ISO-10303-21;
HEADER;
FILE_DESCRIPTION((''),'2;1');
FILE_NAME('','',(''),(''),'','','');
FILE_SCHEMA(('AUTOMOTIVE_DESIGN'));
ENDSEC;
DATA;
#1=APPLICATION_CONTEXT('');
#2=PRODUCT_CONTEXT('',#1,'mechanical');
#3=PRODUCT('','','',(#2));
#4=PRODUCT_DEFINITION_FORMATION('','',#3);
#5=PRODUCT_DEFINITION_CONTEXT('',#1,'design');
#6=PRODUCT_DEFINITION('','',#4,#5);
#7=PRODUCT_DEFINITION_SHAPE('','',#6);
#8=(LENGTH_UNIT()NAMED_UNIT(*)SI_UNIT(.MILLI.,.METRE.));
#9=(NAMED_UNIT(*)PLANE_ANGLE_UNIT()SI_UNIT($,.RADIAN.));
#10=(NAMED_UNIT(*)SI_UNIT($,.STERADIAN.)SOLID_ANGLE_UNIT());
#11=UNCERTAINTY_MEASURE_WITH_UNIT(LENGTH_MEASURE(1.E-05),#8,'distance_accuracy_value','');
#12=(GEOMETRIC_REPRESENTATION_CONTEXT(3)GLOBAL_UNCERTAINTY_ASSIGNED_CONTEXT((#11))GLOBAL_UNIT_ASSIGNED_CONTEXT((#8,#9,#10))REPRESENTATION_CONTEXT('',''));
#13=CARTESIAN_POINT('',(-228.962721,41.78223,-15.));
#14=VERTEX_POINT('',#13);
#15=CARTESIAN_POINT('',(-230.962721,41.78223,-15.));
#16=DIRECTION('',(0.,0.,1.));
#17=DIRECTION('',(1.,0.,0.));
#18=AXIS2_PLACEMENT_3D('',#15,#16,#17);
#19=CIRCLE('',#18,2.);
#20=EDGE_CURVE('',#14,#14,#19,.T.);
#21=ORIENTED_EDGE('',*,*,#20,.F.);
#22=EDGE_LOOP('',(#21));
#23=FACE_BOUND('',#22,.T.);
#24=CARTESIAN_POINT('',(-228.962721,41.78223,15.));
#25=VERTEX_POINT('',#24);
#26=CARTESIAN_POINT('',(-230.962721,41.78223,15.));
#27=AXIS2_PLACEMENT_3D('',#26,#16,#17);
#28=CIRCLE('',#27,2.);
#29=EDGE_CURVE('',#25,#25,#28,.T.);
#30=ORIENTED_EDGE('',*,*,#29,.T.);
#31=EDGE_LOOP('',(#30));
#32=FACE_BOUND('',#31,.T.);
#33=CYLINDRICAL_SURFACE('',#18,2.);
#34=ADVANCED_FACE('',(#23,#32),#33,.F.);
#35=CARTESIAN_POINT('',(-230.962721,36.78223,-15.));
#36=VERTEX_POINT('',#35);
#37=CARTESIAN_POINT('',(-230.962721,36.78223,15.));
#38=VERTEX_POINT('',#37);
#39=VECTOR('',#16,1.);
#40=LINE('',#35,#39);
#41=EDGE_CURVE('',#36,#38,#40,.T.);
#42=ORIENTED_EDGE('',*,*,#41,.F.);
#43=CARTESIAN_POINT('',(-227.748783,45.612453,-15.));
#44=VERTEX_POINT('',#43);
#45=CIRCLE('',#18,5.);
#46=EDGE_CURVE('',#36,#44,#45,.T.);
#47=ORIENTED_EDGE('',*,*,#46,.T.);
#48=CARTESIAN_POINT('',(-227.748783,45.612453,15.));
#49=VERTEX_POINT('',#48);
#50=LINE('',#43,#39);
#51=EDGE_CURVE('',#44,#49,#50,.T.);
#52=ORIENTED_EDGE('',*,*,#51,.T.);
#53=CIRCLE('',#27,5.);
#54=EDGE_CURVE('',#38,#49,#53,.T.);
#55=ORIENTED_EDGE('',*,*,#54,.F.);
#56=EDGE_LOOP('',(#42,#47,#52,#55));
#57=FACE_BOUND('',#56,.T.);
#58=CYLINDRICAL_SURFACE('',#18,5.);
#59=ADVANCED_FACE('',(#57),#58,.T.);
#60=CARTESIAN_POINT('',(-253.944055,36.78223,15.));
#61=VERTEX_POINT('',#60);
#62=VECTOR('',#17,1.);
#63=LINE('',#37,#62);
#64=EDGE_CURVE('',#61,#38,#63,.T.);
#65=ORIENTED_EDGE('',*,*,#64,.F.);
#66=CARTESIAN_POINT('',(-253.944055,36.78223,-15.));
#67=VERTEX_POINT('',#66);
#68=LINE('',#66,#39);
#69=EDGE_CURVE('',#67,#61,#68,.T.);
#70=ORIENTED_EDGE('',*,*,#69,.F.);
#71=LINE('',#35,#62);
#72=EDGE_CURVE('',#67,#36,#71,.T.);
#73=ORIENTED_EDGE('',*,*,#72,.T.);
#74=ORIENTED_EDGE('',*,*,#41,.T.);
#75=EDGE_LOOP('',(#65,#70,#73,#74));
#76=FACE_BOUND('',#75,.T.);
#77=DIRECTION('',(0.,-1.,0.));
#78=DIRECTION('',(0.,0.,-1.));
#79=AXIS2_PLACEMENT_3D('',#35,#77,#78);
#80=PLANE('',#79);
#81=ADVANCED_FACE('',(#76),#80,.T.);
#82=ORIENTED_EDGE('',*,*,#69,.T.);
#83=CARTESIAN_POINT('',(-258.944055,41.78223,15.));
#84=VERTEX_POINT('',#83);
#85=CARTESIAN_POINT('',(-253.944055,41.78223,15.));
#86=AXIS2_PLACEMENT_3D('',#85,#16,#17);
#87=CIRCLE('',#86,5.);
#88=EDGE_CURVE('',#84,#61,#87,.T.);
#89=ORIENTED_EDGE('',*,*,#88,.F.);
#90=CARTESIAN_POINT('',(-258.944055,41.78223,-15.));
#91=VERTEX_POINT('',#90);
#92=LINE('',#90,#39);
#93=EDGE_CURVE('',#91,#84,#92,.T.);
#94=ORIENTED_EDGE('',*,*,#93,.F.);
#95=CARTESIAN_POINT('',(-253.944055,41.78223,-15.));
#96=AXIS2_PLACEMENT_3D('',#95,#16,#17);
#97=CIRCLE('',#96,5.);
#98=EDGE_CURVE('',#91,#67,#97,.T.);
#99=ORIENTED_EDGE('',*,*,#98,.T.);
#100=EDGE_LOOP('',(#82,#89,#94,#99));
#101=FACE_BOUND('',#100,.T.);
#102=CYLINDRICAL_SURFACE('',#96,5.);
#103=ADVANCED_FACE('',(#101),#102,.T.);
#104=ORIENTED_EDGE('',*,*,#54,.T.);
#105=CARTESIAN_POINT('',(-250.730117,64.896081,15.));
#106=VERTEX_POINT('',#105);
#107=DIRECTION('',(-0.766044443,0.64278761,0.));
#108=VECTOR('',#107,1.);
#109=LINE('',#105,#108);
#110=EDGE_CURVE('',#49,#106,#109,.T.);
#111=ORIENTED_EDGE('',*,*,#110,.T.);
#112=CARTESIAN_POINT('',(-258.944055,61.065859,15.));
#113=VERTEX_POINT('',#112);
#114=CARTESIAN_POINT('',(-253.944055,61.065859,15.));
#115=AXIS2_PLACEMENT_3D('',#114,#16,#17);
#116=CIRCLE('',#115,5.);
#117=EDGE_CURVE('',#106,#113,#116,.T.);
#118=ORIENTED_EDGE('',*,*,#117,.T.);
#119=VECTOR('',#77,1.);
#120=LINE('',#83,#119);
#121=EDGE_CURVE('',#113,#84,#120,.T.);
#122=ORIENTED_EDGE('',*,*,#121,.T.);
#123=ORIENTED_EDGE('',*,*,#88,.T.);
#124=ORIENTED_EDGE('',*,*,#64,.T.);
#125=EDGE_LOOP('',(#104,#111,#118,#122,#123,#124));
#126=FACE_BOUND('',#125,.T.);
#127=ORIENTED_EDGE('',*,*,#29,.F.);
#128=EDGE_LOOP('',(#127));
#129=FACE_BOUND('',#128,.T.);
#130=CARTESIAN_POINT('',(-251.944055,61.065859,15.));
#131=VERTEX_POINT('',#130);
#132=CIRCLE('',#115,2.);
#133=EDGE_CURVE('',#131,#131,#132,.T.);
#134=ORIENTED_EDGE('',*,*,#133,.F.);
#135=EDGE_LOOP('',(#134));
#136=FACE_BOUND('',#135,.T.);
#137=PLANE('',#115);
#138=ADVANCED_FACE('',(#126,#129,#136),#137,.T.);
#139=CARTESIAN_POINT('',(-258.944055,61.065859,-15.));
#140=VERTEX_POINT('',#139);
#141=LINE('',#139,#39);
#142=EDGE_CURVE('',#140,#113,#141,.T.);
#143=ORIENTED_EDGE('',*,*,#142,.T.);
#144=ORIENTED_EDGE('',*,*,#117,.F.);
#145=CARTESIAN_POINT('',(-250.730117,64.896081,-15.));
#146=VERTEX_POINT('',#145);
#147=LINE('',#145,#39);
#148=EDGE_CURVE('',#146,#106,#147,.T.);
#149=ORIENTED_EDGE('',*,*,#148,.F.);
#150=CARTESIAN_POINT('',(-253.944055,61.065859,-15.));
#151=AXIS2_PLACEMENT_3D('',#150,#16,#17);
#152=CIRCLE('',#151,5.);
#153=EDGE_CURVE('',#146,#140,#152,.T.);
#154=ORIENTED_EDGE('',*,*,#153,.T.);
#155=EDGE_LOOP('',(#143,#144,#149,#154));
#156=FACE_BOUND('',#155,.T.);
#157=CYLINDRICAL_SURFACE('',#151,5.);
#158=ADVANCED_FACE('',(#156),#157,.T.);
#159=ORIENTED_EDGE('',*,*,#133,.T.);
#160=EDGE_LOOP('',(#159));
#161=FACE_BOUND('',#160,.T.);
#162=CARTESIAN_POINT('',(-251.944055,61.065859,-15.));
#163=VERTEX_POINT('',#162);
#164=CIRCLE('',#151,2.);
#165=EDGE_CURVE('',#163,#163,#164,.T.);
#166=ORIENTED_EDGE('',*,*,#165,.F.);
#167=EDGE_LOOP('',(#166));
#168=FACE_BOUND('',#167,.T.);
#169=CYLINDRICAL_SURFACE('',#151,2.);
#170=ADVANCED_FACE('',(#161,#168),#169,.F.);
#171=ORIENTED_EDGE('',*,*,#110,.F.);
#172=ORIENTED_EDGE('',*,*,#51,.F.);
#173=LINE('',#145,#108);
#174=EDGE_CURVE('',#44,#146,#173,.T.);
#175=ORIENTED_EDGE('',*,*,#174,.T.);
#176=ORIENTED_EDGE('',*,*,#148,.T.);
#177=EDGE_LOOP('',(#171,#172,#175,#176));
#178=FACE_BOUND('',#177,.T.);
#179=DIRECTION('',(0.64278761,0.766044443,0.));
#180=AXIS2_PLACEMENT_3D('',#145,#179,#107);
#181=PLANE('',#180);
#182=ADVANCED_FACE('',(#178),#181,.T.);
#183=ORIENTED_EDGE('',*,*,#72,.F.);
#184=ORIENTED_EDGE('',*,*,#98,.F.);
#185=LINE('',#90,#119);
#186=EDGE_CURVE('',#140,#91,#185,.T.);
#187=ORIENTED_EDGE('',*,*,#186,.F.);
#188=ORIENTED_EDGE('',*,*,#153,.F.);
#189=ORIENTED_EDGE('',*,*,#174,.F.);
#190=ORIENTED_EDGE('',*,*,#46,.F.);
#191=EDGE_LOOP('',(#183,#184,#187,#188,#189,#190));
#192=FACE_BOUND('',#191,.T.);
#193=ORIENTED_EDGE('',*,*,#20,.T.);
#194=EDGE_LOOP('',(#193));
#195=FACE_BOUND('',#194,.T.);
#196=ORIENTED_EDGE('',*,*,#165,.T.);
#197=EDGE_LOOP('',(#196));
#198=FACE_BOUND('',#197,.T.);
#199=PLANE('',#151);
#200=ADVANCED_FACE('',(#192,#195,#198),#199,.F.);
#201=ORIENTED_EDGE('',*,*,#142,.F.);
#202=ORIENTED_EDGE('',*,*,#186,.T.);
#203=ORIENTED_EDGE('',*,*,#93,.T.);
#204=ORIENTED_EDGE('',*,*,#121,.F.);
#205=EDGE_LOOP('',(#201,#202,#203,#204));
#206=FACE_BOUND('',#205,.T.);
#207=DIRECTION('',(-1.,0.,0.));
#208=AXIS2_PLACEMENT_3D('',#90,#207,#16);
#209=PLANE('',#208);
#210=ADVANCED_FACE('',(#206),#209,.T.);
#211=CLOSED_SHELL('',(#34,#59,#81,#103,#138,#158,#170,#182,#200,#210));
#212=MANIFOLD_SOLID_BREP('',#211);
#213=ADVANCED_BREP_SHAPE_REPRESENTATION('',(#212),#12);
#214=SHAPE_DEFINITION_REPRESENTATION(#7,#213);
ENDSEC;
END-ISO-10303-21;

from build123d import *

# Parameters (mm, degrees)
BOSS_EXTRUDE1_DEPTH      = 15
BOSS_EXTRUDE1_DEPTH_BACK = 15
SKETCH1_R                = 2


with BuildPart() as part:
    # Sketch1 → Boss-Extrude1 (new, two sides: drawn at the far end of the back side and taken through both)
    with BuildSketch(Plane.XY.offset(-BOSS_EXTRUDE1_DEPTH_BACK)):
        with BuildLine():
            Line((-250.73011668, 64.896080811), (-227.748783387, 45.61245252))
            ThreePointArc((-227.748783387, 45.61245252), (-226.264258331, 40.072129588), (-230.962721435, 36.782230305))
            Line((-230.962721435, 36.782230305), (-253.944054729, 36.782230305))
            ThreePointArc((-253.944054729, 36.782230305), (-257.479588635, 38.246696399), (-258.944054729, 41.782230305))
            Line((-258.944054729, 41.782230305), (-258.944054729, 61.065858595))
            ThreePointArc((-258.944054729, 61.065858595), (-256.057146037, 65.597397531), (-250.73011668, 64.896080811))
        make_face()
        with Locations((-253.944054729, 61.065858595)):
            Circle(SKETCH1_R, mode=Mode.SUBTRACT)
        with Locations((-230.962721435, 41.782230305)):
            Circle(SKETCH1_R, mode=Mode.SUBTRACT)
    extrude(amount=BOSS_EXTRUDE1_DEPTH + BOSS_EXTRUDE1_DEPTH_BACK)


solid = part.part
